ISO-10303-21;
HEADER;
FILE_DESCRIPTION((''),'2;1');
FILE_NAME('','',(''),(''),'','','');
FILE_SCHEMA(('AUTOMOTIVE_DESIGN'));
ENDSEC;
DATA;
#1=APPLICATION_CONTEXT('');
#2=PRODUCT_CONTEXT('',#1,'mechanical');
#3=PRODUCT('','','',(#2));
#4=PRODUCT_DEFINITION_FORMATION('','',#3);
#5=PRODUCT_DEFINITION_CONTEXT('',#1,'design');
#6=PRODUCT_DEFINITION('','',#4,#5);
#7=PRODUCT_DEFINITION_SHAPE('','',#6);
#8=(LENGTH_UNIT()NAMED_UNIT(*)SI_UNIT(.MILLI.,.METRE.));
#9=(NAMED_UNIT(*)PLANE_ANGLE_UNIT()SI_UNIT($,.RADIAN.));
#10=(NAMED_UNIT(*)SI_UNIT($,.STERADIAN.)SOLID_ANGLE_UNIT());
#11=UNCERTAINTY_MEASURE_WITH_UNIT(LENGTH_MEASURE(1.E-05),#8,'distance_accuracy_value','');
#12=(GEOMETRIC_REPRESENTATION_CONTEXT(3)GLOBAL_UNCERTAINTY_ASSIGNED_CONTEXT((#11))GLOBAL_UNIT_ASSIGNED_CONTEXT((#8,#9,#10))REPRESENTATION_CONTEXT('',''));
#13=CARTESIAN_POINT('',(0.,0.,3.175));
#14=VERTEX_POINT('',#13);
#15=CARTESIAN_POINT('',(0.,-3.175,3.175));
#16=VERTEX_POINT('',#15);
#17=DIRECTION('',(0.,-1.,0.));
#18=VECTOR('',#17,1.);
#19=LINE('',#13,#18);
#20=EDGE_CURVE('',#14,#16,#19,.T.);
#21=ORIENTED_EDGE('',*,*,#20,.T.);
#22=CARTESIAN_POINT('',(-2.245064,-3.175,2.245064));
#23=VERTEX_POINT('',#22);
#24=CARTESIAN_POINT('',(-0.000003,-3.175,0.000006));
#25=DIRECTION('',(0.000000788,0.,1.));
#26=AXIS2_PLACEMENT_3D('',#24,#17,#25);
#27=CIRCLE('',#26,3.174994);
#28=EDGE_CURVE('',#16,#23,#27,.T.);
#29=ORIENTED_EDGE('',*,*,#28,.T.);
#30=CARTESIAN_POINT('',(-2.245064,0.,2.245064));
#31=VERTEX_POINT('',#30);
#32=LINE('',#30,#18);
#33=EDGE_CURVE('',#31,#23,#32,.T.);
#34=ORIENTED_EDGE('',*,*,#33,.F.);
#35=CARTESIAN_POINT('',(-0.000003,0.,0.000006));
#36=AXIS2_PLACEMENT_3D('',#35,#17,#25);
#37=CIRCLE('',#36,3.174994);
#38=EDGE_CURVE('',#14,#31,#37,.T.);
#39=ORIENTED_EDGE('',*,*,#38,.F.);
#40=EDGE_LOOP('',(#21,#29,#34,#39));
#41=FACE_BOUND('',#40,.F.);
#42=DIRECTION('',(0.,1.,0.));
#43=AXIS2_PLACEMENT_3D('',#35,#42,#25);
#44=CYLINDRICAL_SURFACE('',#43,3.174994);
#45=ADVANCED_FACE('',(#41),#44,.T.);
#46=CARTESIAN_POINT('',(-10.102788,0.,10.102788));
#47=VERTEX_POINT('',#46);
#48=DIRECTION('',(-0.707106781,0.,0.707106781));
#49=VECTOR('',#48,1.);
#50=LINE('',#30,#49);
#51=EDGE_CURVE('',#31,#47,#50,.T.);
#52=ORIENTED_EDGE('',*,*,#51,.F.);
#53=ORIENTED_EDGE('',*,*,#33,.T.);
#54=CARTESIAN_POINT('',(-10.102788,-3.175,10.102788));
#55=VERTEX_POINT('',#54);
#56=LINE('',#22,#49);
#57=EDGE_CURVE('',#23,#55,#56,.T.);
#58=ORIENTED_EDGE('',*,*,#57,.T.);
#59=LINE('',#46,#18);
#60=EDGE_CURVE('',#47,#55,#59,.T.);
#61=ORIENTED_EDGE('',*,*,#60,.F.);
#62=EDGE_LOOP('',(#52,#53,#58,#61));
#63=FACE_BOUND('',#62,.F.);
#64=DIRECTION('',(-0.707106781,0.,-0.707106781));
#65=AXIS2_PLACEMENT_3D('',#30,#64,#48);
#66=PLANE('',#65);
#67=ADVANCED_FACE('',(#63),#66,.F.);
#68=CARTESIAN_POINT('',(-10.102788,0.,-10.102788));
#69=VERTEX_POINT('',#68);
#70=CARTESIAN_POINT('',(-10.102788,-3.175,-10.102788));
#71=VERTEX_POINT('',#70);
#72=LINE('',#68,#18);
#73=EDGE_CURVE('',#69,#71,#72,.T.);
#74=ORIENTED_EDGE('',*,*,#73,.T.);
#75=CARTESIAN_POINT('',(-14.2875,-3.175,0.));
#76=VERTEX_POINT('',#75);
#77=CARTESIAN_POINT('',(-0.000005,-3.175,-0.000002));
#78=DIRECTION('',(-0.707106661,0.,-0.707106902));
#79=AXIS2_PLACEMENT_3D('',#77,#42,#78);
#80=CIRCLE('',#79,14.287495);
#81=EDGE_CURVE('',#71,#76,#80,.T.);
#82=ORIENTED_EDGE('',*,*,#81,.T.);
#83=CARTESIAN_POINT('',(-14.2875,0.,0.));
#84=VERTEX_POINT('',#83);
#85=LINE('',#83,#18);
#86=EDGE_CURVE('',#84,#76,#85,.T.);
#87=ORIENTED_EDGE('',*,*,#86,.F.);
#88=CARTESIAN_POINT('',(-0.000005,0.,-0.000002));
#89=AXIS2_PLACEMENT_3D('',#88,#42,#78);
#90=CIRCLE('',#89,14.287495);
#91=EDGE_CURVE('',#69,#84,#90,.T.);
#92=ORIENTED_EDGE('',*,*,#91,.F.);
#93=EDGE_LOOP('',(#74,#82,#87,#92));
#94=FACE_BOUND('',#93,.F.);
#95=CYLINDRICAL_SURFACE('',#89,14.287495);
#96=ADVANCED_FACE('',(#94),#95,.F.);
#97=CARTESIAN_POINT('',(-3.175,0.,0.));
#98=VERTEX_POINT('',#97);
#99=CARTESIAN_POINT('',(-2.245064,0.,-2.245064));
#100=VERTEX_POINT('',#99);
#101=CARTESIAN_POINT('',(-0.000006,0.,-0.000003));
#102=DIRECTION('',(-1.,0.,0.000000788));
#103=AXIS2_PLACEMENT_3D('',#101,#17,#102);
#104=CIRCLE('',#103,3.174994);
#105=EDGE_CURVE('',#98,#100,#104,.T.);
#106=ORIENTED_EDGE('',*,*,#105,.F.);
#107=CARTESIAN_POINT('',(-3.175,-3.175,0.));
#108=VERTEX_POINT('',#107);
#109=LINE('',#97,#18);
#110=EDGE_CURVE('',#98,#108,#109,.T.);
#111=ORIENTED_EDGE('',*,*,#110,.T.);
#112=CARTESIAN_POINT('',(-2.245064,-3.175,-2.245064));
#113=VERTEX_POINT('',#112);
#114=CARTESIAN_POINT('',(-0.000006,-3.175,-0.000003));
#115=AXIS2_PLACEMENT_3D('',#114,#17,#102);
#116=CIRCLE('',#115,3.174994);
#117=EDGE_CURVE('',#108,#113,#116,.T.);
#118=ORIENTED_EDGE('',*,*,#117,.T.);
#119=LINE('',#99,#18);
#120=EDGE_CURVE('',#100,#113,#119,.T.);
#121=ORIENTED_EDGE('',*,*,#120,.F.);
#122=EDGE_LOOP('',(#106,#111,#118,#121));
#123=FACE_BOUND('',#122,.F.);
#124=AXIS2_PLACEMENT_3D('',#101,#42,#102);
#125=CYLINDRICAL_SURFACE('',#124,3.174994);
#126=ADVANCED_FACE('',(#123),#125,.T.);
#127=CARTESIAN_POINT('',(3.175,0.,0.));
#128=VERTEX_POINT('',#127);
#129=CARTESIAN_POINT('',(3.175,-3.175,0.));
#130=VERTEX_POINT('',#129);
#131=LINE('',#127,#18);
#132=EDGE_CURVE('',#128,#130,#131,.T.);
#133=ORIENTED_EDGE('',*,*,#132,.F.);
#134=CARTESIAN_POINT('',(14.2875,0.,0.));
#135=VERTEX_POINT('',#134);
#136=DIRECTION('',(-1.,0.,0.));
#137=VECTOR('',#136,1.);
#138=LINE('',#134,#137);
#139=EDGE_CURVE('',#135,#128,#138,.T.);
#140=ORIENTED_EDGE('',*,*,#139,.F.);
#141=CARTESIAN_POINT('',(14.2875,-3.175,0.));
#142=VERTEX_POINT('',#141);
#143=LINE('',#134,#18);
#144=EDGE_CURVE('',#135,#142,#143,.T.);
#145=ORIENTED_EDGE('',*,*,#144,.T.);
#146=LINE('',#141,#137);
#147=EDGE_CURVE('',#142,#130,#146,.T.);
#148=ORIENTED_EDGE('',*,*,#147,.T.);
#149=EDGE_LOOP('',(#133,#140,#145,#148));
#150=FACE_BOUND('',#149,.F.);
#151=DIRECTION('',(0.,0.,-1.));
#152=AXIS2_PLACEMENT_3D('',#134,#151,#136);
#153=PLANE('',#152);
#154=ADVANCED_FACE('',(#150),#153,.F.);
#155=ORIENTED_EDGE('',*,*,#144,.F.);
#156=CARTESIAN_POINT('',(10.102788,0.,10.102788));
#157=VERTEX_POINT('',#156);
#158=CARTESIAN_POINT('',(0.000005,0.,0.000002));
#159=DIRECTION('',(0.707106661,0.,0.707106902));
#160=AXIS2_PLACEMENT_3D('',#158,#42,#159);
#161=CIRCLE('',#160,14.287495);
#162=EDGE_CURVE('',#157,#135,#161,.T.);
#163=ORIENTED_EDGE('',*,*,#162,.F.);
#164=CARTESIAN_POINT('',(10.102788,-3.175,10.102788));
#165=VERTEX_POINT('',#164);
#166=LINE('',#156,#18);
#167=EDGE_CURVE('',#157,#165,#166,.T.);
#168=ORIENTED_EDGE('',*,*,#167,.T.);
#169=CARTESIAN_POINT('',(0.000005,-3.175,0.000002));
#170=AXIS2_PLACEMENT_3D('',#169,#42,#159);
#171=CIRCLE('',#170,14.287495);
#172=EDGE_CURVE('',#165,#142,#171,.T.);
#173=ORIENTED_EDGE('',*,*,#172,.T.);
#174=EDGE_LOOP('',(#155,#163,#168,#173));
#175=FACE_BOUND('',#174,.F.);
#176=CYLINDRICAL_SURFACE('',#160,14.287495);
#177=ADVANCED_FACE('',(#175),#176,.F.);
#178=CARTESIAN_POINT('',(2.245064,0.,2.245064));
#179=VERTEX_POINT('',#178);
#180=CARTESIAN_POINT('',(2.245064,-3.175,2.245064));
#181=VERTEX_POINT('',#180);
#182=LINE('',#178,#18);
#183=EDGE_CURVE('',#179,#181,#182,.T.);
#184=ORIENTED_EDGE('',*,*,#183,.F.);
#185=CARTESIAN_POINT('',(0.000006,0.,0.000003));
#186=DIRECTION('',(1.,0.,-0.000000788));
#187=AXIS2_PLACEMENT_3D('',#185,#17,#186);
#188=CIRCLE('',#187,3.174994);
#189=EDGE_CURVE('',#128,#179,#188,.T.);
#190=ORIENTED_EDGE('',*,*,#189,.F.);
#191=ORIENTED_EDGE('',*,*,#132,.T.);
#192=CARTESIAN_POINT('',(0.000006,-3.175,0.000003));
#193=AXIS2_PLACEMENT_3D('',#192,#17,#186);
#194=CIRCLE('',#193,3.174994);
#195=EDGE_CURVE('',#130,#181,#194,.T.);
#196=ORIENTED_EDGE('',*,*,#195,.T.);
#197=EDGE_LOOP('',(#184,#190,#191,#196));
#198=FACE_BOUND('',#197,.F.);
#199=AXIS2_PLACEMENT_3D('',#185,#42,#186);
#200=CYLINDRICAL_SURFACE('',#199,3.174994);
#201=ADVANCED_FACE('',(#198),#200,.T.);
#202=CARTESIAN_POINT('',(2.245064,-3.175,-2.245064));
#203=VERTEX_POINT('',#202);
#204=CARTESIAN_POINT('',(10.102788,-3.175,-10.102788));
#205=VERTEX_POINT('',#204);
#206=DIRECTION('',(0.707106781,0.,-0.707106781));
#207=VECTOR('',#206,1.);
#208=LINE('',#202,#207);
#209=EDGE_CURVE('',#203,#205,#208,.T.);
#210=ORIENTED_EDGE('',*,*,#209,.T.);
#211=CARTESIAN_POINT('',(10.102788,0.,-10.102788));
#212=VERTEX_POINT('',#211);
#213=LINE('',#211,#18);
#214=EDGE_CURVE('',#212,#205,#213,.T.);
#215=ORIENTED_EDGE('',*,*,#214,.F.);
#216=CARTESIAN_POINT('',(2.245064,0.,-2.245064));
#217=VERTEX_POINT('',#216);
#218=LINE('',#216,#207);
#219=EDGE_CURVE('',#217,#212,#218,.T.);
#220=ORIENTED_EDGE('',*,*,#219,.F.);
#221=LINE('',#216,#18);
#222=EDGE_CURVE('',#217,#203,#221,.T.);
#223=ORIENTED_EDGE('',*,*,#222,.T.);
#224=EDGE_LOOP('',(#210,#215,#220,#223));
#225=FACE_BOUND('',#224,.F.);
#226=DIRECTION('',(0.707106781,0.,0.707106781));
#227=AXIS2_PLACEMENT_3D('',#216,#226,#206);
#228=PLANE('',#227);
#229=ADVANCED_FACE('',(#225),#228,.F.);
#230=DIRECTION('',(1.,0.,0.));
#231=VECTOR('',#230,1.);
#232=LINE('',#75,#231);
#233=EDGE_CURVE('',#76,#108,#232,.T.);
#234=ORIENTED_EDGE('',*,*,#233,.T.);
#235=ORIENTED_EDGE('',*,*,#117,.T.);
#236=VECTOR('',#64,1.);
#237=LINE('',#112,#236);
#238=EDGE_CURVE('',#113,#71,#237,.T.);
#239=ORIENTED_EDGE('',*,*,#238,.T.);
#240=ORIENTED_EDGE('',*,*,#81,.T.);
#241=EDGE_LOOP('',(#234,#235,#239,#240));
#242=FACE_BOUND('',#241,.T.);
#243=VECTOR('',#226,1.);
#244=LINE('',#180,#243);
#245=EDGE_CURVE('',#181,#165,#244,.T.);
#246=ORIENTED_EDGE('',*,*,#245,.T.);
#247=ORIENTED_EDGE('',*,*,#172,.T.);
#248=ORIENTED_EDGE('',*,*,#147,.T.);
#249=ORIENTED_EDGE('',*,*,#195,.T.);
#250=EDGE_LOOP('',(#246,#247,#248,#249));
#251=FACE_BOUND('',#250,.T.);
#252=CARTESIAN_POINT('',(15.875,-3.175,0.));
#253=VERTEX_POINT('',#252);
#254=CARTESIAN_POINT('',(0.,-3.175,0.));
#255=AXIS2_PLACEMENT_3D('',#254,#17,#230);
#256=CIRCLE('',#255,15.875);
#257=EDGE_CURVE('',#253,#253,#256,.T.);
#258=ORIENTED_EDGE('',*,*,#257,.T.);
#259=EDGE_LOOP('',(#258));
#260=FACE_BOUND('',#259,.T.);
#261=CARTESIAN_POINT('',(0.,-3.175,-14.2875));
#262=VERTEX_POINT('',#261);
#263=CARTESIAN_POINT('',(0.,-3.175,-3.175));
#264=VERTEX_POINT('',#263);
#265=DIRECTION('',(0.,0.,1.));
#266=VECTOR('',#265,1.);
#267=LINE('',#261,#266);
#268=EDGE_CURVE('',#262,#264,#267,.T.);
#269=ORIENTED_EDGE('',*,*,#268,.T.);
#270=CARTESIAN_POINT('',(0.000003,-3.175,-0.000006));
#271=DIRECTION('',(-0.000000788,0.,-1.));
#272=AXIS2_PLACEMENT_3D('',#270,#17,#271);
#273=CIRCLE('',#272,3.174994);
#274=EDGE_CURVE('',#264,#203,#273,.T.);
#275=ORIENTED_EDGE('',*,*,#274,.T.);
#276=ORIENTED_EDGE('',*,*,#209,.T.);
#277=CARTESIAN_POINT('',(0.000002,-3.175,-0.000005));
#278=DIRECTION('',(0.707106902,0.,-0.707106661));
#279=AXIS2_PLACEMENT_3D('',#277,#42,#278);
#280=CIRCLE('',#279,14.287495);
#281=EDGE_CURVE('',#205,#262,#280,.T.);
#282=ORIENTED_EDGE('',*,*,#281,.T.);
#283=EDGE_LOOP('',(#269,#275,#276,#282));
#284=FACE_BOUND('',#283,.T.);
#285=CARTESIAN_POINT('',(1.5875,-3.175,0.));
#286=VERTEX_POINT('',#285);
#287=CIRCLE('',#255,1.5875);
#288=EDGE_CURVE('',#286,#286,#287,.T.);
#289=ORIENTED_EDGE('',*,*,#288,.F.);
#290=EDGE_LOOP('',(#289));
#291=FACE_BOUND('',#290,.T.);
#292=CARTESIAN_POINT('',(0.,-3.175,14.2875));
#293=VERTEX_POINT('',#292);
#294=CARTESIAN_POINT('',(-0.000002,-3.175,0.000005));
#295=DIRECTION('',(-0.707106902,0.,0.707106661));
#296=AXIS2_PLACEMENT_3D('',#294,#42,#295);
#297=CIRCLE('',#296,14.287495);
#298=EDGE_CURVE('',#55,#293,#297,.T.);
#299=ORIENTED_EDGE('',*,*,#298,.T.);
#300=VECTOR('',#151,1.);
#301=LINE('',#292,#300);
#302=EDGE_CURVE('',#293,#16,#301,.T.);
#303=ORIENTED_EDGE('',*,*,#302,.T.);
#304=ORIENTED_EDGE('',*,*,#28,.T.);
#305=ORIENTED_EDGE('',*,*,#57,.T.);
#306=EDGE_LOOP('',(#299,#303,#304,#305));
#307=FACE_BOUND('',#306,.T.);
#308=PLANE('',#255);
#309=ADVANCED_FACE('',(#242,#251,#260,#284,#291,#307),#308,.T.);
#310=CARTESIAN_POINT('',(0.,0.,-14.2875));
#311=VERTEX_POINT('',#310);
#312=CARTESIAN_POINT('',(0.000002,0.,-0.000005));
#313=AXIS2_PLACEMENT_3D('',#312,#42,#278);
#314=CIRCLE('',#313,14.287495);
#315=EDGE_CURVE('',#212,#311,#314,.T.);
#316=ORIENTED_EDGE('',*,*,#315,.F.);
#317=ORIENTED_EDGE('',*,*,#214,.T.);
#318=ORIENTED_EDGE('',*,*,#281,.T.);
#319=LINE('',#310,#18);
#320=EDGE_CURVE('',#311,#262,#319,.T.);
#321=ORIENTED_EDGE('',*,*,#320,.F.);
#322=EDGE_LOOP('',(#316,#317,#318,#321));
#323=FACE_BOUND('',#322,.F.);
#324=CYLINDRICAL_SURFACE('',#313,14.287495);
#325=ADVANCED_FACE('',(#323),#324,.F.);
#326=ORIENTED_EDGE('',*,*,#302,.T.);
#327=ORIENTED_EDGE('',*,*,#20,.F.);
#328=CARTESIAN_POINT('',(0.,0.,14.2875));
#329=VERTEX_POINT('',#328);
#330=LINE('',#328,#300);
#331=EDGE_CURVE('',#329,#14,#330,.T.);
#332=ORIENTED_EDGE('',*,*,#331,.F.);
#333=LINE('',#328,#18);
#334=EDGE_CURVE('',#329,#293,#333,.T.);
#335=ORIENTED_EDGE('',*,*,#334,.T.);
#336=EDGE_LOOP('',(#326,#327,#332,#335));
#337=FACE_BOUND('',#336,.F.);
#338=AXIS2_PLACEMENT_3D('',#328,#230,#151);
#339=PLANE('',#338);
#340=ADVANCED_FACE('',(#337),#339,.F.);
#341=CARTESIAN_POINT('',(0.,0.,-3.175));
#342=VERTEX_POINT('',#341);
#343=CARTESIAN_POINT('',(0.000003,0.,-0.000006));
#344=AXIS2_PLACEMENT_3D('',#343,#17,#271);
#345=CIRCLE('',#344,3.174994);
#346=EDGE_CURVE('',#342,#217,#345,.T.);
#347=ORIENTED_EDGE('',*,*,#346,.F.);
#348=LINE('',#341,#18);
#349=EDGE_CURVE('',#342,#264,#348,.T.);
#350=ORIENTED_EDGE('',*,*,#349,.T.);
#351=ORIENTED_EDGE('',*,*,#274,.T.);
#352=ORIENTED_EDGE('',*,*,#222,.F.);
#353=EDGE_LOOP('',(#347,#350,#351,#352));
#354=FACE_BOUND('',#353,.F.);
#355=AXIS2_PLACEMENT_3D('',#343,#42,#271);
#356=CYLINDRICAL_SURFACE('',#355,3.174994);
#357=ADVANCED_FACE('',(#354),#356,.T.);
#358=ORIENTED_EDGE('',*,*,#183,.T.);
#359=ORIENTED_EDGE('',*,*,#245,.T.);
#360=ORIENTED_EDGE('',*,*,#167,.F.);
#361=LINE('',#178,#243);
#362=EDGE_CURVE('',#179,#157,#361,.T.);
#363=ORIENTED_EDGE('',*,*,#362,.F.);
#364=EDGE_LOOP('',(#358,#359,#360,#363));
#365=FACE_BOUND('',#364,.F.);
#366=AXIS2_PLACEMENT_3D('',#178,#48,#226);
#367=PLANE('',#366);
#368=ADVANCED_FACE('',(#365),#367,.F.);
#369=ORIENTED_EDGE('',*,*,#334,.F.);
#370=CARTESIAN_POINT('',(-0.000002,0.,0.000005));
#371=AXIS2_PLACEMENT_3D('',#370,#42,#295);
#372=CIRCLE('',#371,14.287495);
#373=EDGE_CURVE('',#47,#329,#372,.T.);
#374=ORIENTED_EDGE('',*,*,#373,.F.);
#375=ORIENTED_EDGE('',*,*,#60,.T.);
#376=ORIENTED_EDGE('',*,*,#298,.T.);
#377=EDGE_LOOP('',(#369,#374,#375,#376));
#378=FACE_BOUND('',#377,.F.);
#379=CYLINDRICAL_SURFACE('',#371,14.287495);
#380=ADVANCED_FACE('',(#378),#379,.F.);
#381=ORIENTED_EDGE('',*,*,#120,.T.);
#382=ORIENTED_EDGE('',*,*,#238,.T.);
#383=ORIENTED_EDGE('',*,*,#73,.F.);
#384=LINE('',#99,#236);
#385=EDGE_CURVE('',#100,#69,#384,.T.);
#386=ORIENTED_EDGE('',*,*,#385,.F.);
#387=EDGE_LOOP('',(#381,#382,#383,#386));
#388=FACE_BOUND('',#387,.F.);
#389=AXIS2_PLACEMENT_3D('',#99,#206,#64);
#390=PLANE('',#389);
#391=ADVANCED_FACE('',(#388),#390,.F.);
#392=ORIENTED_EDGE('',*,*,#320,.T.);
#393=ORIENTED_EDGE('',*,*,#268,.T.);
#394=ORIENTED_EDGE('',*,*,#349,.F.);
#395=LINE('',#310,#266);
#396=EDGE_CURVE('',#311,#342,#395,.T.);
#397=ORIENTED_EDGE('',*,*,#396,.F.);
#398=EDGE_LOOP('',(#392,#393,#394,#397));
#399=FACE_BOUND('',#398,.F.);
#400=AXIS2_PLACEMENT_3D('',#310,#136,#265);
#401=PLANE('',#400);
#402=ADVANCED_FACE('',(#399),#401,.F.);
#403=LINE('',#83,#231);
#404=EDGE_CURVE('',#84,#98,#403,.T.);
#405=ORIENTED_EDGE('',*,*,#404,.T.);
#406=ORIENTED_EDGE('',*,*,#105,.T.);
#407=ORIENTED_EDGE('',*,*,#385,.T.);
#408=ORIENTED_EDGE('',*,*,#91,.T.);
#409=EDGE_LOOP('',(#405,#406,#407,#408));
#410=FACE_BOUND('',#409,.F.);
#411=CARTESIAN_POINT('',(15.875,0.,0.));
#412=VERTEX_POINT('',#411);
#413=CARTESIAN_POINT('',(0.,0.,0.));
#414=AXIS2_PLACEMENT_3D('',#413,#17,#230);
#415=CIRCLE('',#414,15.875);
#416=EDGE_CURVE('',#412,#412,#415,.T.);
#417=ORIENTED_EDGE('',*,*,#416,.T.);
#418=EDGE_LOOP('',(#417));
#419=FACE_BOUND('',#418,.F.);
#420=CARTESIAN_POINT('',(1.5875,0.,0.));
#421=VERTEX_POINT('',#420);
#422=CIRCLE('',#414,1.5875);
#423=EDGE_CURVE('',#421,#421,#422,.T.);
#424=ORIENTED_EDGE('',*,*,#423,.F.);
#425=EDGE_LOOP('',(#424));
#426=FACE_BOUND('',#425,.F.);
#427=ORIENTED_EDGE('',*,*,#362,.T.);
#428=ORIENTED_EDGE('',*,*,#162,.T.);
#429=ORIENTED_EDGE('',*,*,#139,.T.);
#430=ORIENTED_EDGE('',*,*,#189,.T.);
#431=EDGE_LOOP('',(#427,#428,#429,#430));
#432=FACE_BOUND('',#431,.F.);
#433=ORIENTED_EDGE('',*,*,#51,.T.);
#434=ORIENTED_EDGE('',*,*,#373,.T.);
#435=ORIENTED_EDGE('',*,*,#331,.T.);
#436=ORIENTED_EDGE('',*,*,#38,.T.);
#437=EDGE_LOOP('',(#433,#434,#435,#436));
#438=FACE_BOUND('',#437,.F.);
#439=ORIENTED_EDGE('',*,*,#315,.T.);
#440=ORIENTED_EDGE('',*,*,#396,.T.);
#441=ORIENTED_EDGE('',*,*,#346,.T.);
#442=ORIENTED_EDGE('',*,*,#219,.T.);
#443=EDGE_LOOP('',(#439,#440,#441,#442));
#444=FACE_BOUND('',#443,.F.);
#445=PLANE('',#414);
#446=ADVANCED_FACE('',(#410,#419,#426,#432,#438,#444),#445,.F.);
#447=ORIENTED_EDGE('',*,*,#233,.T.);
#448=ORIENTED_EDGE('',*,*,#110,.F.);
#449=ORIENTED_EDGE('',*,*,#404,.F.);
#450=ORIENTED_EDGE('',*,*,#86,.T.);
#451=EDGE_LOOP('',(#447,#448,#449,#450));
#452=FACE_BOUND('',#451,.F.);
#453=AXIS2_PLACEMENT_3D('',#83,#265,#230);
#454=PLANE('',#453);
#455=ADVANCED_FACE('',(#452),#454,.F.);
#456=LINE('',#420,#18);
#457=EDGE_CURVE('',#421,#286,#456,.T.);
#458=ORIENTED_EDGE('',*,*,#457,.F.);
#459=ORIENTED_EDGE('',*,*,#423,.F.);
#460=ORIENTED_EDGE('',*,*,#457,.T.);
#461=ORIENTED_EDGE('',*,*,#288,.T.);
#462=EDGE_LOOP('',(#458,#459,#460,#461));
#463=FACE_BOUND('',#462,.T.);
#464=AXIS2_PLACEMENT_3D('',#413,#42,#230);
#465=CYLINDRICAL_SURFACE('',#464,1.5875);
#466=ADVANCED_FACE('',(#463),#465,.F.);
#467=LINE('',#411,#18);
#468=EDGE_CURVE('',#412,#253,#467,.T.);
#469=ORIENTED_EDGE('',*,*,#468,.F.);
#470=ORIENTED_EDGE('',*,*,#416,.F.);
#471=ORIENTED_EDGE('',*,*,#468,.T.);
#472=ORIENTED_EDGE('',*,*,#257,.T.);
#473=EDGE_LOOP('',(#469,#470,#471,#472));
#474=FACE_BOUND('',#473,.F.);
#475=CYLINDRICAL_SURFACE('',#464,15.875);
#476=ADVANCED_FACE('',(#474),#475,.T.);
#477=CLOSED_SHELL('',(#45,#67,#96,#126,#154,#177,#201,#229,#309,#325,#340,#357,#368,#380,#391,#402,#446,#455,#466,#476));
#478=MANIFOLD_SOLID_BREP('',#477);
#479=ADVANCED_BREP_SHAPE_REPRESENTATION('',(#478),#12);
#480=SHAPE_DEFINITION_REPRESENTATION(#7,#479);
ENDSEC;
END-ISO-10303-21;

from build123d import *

# Parameters (mm, degrees)
F0_R     = 15.875
F0_R_2   = 1.5875
F1_DEPTH = 3.175


with BuildPart() as f1:
    # F0 (on Front) → F1 (new body)
    with BuildSketch(Plane.XZ):
        Circle(F0_R)
        with BuildLine():
            ThreePointArc((10.102788, 10.102788), (13.199929, 5.46759), (14.2875, 0))
            ThreePointArc((14.2875, 0), (13.199929, -5.46759), (10.102788, -10.102788))
            ThreePointArc((10.102788, -10.102788), (5.46759, -13.199929), (0, -14.2875))
            ThreePointArc((0, -14.2875), (-5.46759, -13.199929), (-10.102788, -10.102788))
            ThreePointArc((-10.102788, -10.102788), (-13.199929, -5.46759), (-14.2875, 0))
            ThreePointArc((-14.2875, 0), (-13.199929, 5.46759), (-10.102788, 10.102788))
            ThreePointArc((-10.102788, 10.102788), (-5.46759, 13.199929), (0, 14.2875))
            ThreePointArc((0, 14.2875), (5.46759, 13.199929), (10.102788, 10.102788))
        make_face(mode=Mode.SUBTRACT)
        with BuildLine():
            Line((2.245064, 2.245064), (10.102788, 10.102788))
            ThreePointArc((10.102788, 10.102788), (5.46759, 13.199929), (0, 14.2875))
            Line((0, 14.2875), (0, 3.175))
            ThreePointArc((0, 3.175), (1.21502, 2.933318), (2.245064, 2.245064))
        make_face()
        with BuildLine():
            ThreePointArc((10.102788, -10.102788), (13.199929, -5.46759), (14.2875, 0))
            Line((14.2875, 0), (3.175, 0))
            ThreePointArc((3.175, 0), (2.933318, -1.21502), (2.245064, -2.245064))
            Line((2.245064, -2.245064), (10.102788, -10.102788))
        make_face()
        with BuildLine():
            ThreePointArc((-10.102788, -10.102788), (-5.46759, -13.199929), (0, -14.2875))
            Line((0, -14.2875), (0, -3.175))
            ThreePointArc((0, -3.175), (-1.21502, -2.933318), (-2.245064, -2.245064))
            Line((-2.245064, -2.245064), (-10.102788, -10.102788))
        make_face()
        with BuildLine():
            Line((-2.245064, 2.245064), (-10.102788, 10.102788))
            ThreePointArc((-10.102788, 10.102788), (-13.199929, 5.46759), (-14.2875, 0))
            Line((-14.2875, 0), (-3.175, 0))
            ThreePointArc((-3.175, 0), (-2.933318, 1.21502), (-2.245064, 2.245064))
        make_face()
        with BuildLine():
            ThreePointArc((2.245064, -2.245064), (2.933318, -1.21502), (3.175, 0))
            ThreePointArc((3.175, 0), (2.933318, 1.21502), (2.245064, 2.245064))
            ThreePointArc((2.245064, 2.245064), (1.21502, 2.933318), (0, 3.175))
            ThreePointArc((0, 3.175), (-1.21502, 2.933318), (-2.245064, 2.245064))
            ThreePointArc((-2.245064, 2.245064), (-2.933318, 1.21502), (-3.175, 0))
            ThreePointArc((-3.175, 0), (-2.933318, -1.21502), (-2.245064, -2.245064))
            ThreePointArc((-2.245064, -2.245064), (-1.21502, -2.933318), (0, -3.175))
            ThreePointArc((0, -3.175), (1.21502, -2.933318), (2.245064, -2.245064))
        make_face()
        Circle(F0_R_2, mode=Mode.SUBTRACT)
    extrude(amount=F1_DEPTH)


solid = f1.part
